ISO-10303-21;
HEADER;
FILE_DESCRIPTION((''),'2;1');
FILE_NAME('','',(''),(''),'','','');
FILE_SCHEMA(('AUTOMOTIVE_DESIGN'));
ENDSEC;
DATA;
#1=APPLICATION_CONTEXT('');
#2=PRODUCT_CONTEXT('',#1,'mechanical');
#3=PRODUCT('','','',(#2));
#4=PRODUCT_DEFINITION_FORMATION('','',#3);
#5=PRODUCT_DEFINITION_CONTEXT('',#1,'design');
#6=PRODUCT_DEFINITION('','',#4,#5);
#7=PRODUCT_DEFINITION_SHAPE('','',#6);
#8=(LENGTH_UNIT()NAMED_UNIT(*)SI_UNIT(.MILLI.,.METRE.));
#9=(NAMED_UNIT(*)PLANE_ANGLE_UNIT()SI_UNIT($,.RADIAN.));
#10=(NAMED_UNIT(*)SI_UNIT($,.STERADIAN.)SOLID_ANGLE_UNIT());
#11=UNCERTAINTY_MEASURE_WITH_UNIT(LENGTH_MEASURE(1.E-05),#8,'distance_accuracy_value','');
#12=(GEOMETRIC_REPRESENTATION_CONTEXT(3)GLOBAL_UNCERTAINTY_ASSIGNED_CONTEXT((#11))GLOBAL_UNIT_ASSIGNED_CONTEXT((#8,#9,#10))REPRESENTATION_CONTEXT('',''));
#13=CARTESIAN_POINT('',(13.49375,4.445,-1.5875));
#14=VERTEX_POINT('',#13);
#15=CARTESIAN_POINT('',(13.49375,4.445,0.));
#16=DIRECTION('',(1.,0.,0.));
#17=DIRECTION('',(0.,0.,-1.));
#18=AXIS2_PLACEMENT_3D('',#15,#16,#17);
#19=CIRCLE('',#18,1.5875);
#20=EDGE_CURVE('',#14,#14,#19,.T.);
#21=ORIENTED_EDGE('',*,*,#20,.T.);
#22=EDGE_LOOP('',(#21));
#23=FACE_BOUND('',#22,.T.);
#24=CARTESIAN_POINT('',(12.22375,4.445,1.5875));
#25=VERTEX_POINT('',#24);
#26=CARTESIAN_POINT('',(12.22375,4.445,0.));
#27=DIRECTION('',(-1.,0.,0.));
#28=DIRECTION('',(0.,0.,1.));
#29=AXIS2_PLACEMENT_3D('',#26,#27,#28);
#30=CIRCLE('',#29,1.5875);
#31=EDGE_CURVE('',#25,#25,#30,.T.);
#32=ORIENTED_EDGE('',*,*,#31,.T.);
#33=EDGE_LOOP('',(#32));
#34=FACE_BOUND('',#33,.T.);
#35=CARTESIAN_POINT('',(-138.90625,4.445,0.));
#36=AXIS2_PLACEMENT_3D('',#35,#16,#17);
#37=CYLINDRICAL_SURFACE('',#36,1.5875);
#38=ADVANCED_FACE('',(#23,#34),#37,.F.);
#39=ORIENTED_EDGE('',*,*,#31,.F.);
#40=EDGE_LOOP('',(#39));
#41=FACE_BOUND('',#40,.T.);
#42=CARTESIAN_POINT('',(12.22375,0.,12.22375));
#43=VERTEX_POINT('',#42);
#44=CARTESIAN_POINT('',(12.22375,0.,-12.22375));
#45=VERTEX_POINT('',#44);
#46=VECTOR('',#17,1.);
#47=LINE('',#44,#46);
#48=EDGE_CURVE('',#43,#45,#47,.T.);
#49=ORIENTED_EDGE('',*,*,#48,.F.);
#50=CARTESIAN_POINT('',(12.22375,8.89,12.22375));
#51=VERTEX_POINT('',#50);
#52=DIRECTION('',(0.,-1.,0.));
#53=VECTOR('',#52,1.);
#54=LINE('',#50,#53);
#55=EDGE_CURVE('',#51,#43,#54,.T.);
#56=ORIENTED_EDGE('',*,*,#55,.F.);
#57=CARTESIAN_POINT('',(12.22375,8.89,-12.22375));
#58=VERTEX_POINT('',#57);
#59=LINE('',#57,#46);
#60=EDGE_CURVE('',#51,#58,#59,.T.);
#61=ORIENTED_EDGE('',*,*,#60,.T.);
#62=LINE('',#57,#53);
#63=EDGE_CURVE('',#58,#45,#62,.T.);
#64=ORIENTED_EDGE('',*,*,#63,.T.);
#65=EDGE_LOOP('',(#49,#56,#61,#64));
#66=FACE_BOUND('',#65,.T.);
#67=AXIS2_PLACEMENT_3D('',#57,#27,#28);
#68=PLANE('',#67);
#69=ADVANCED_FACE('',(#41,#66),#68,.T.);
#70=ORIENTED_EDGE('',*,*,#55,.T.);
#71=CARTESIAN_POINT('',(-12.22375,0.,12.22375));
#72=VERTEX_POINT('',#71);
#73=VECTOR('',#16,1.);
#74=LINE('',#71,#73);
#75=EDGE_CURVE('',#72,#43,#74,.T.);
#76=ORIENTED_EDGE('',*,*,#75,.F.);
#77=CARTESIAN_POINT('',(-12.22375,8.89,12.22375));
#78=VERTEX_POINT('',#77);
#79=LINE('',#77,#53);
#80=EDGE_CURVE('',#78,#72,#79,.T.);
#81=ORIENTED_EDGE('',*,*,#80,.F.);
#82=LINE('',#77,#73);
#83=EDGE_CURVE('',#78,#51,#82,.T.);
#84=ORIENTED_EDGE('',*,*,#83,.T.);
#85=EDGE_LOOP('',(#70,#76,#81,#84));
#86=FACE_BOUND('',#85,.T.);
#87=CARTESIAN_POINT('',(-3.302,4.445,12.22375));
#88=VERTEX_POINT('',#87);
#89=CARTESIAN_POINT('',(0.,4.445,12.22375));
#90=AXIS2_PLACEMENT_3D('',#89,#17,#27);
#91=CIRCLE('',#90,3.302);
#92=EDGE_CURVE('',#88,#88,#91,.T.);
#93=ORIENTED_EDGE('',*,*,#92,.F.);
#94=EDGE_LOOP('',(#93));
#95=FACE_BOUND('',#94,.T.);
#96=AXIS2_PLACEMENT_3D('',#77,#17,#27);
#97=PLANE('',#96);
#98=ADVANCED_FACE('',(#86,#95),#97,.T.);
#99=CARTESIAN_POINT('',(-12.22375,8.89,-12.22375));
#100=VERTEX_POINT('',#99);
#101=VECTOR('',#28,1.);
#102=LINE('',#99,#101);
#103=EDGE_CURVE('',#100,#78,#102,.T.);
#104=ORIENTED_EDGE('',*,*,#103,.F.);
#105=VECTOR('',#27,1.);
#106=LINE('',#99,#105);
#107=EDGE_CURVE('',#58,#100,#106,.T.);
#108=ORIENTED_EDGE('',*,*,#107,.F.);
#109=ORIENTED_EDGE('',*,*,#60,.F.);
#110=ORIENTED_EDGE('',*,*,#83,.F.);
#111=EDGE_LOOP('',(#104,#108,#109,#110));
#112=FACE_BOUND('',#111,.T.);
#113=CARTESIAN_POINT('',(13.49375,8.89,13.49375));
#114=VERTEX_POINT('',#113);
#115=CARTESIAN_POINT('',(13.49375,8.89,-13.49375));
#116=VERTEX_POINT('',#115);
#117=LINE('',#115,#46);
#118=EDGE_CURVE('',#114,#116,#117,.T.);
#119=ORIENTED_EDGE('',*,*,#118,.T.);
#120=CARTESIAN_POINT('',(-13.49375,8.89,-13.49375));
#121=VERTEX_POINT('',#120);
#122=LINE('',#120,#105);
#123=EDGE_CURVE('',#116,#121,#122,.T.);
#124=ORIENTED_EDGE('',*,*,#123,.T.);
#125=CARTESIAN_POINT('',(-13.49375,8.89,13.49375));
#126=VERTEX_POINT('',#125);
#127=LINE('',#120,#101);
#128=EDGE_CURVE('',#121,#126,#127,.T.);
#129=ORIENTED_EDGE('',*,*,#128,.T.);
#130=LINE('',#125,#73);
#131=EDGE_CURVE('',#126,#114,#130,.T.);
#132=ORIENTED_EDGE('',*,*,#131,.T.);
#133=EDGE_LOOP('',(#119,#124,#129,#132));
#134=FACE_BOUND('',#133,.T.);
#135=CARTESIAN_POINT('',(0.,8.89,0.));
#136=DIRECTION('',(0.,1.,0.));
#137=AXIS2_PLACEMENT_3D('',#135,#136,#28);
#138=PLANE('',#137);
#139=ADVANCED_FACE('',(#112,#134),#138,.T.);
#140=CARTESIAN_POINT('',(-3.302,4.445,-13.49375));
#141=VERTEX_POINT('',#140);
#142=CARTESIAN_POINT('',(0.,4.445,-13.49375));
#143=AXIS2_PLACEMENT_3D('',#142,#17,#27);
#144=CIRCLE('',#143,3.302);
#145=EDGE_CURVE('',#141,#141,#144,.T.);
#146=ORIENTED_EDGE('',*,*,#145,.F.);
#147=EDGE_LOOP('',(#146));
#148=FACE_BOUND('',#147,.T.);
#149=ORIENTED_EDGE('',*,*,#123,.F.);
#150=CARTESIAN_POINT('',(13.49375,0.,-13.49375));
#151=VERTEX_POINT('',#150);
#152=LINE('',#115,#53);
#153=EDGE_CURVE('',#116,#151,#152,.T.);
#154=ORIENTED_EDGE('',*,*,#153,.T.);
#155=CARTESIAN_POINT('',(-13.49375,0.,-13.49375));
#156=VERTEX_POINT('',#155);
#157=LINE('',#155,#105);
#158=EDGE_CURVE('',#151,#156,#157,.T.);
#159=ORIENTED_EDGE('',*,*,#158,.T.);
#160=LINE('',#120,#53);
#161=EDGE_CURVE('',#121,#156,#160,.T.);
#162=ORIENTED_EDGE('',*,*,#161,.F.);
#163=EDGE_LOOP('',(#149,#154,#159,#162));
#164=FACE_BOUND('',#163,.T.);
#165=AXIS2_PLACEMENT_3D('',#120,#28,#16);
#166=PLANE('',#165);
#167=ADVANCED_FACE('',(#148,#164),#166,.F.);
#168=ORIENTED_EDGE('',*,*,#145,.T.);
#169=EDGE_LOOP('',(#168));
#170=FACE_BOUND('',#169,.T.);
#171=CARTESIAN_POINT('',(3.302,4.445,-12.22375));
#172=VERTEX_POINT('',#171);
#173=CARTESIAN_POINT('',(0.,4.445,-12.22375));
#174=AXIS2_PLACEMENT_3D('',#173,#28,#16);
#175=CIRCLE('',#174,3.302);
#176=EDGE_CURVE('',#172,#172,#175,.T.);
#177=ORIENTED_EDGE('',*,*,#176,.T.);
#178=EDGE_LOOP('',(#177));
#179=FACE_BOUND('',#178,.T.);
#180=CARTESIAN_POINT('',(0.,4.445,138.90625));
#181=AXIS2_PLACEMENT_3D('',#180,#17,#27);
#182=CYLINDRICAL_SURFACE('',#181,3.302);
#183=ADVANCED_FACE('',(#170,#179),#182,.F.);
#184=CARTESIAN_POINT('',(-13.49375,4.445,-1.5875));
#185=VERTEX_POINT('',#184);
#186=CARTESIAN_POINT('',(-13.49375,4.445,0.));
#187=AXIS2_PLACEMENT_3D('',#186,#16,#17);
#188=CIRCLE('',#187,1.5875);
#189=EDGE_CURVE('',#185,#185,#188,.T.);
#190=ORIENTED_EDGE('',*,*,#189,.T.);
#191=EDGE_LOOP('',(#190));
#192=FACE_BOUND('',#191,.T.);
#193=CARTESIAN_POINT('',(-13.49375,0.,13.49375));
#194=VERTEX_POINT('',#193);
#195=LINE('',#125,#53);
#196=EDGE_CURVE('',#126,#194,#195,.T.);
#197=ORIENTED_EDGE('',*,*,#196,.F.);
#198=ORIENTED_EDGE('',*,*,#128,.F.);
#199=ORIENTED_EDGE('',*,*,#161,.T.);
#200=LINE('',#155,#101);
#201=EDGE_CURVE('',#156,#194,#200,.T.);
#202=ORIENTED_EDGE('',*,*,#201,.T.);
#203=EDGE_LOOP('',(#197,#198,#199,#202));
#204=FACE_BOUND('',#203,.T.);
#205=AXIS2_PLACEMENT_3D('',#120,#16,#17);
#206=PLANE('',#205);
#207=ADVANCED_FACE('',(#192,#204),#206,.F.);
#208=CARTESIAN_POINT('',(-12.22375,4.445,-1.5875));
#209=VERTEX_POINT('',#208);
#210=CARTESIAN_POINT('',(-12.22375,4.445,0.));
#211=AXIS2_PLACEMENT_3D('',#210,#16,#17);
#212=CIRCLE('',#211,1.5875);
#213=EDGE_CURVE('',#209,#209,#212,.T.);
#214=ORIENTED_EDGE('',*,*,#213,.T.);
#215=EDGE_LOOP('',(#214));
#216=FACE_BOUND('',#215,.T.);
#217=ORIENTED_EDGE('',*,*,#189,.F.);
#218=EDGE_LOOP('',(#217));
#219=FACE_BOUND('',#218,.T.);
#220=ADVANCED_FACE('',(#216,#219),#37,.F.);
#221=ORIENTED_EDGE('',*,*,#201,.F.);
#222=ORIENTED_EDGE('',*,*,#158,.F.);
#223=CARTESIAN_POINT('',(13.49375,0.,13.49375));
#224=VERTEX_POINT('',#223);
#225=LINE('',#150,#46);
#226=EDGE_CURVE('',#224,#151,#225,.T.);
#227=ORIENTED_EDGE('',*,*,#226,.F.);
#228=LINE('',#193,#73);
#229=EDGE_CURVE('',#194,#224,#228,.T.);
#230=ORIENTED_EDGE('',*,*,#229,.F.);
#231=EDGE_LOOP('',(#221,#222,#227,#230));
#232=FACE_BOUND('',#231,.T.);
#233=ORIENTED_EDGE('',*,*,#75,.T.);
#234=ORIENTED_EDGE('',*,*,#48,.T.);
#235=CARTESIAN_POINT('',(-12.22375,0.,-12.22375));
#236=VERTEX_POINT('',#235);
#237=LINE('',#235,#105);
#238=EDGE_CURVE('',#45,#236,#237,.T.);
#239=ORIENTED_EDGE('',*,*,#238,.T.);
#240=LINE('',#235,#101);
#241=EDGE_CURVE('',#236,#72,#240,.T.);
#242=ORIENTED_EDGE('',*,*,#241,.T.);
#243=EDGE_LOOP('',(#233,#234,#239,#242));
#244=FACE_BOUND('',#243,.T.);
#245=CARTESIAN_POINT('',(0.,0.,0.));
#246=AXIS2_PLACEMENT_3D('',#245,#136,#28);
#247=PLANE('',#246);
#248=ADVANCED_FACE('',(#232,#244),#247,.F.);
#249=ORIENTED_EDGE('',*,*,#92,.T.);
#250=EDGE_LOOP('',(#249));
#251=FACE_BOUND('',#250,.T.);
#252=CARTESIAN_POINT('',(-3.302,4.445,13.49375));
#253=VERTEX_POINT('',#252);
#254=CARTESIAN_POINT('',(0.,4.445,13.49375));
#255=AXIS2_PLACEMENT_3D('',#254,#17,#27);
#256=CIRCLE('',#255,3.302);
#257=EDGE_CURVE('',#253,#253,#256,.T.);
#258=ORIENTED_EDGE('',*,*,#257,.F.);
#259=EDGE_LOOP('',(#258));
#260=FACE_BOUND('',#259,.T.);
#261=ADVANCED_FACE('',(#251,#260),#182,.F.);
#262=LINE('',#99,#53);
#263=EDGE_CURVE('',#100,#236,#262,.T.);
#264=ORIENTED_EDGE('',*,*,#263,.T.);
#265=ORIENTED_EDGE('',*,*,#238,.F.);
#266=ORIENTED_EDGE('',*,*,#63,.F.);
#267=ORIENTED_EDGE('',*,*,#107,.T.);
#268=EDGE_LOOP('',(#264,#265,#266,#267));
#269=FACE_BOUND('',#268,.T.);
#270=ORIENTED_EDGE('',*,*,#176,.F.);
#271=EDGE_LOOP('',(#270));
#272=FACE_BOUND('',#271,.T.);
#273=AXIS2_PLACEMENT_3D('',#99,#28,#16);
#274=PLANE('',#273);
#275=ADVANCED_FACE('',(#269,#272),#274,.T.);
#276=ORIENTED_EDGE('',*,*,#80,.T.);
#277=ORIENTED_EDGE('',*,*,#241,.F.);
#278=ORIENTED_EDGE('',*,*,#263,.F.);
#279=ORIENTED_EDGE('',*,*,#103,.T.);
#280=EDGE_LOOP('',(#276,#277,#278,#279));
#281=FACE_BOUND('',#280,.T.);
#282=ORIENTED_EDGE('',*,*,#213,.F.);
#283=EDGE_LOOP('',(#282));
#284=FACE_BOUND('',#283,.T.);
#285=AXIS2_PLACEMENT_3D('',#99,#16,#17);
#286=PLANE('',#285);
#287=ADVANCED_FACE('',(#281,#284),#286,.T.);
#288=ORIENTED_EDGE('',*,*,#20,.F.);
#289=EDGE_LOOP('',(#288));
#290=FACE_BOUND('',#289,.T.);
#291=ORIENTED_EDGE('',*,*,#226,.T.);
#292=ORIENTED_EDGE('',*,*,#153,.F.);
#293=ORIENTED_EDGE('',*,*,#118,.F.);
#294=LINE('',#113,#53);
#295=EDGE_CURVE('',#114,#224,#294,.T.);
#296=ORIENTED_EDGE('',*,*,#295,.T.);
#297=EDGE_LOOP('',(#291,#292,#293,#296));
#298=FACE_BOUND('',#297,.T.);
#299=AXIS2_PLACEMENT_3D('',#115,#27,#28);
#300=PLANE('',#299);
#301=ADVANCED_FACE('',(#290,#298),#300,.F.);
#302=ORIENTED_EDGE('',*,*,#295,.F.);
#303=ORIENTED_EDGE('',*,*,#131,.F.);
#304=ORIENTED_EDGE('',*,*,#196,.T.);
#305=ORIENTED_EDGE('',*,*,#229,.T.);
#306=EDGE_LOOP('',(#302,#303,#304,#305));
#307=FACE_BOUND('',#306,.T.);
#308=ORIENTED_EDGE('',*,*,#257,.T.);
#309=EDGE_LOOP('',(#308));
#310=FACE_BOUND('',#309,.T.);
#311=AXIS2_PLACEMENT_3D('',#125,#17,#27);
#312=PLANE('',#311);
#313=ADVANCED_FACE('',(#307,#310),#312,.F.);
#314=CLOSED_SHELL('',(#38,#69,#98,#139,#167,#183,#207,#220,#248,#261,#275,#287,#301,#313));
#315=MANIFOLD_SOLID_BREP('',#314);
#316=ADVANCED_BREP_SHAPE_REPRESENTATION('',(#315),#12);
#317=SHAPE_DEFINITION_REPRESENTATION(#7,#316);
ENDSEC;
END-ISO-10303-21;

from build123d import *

# Parameters (mm, degrees)
SKETCH1_W           = 26.9875
SKETCH1_H           = 26.9875
SKETCH1_W_2         = 24.4475
SKETCH1_H_2         = 24.4475
BOSS_EXTRUDE1_DEPTH = 8.89
SKETCH2_R           = 1.5875
CUT_EXTRUDE1_DEPTH  = 152.4
SKETCH3_R           = 3.302
CUT_EXTRUDE3_DEPTH  = 152.4


with BuildPart() as part:
    # Sketch1 → Boss-Extrude1 (new body)
    with BuildSketch(Plane(origin=(0, 0, 0), x_dir=(1, 0, 0), z_dir=(0, 1, 0))):
        Rectangle(SKETCH1_W, SKETCH1_H)
        Rectangle(SKETCH1_W_2, SKETCH1_H_2, mode=Mode.SUBTRACT)
    extrude(amount=BOSS_EXTRUDE1_DEPTH)

    # Sketch2 → Cut-Extrude1 (cut)
    with BuildSketch(Plane(origin=(13.49375, 0, 0), x_dir=(0, 0, -1), z_dir=(1, 0, 0))):
        with Locations((0, 4.445)):
            Circle(SKETCH2_R)
    extrude(amount=-CUT_EXTRUDE1_DEPTH, mode=Mode.SUBTRACT)

    # Sketch3 → Cut-Extrude3 (cut)
    with BuildSketch(Plane(origin=(0, 0, -13.49375), x_dir=(-1, 0, 0), z_dir=(0, 0, -1))):
        with Locations((0, 4.445)):
            Circle(SKETCH3_R)
    extrude(amount=-CUT_EXTRUDE3_DEPTH, mode=Mode.SUBTRACT)


solid = part.part
